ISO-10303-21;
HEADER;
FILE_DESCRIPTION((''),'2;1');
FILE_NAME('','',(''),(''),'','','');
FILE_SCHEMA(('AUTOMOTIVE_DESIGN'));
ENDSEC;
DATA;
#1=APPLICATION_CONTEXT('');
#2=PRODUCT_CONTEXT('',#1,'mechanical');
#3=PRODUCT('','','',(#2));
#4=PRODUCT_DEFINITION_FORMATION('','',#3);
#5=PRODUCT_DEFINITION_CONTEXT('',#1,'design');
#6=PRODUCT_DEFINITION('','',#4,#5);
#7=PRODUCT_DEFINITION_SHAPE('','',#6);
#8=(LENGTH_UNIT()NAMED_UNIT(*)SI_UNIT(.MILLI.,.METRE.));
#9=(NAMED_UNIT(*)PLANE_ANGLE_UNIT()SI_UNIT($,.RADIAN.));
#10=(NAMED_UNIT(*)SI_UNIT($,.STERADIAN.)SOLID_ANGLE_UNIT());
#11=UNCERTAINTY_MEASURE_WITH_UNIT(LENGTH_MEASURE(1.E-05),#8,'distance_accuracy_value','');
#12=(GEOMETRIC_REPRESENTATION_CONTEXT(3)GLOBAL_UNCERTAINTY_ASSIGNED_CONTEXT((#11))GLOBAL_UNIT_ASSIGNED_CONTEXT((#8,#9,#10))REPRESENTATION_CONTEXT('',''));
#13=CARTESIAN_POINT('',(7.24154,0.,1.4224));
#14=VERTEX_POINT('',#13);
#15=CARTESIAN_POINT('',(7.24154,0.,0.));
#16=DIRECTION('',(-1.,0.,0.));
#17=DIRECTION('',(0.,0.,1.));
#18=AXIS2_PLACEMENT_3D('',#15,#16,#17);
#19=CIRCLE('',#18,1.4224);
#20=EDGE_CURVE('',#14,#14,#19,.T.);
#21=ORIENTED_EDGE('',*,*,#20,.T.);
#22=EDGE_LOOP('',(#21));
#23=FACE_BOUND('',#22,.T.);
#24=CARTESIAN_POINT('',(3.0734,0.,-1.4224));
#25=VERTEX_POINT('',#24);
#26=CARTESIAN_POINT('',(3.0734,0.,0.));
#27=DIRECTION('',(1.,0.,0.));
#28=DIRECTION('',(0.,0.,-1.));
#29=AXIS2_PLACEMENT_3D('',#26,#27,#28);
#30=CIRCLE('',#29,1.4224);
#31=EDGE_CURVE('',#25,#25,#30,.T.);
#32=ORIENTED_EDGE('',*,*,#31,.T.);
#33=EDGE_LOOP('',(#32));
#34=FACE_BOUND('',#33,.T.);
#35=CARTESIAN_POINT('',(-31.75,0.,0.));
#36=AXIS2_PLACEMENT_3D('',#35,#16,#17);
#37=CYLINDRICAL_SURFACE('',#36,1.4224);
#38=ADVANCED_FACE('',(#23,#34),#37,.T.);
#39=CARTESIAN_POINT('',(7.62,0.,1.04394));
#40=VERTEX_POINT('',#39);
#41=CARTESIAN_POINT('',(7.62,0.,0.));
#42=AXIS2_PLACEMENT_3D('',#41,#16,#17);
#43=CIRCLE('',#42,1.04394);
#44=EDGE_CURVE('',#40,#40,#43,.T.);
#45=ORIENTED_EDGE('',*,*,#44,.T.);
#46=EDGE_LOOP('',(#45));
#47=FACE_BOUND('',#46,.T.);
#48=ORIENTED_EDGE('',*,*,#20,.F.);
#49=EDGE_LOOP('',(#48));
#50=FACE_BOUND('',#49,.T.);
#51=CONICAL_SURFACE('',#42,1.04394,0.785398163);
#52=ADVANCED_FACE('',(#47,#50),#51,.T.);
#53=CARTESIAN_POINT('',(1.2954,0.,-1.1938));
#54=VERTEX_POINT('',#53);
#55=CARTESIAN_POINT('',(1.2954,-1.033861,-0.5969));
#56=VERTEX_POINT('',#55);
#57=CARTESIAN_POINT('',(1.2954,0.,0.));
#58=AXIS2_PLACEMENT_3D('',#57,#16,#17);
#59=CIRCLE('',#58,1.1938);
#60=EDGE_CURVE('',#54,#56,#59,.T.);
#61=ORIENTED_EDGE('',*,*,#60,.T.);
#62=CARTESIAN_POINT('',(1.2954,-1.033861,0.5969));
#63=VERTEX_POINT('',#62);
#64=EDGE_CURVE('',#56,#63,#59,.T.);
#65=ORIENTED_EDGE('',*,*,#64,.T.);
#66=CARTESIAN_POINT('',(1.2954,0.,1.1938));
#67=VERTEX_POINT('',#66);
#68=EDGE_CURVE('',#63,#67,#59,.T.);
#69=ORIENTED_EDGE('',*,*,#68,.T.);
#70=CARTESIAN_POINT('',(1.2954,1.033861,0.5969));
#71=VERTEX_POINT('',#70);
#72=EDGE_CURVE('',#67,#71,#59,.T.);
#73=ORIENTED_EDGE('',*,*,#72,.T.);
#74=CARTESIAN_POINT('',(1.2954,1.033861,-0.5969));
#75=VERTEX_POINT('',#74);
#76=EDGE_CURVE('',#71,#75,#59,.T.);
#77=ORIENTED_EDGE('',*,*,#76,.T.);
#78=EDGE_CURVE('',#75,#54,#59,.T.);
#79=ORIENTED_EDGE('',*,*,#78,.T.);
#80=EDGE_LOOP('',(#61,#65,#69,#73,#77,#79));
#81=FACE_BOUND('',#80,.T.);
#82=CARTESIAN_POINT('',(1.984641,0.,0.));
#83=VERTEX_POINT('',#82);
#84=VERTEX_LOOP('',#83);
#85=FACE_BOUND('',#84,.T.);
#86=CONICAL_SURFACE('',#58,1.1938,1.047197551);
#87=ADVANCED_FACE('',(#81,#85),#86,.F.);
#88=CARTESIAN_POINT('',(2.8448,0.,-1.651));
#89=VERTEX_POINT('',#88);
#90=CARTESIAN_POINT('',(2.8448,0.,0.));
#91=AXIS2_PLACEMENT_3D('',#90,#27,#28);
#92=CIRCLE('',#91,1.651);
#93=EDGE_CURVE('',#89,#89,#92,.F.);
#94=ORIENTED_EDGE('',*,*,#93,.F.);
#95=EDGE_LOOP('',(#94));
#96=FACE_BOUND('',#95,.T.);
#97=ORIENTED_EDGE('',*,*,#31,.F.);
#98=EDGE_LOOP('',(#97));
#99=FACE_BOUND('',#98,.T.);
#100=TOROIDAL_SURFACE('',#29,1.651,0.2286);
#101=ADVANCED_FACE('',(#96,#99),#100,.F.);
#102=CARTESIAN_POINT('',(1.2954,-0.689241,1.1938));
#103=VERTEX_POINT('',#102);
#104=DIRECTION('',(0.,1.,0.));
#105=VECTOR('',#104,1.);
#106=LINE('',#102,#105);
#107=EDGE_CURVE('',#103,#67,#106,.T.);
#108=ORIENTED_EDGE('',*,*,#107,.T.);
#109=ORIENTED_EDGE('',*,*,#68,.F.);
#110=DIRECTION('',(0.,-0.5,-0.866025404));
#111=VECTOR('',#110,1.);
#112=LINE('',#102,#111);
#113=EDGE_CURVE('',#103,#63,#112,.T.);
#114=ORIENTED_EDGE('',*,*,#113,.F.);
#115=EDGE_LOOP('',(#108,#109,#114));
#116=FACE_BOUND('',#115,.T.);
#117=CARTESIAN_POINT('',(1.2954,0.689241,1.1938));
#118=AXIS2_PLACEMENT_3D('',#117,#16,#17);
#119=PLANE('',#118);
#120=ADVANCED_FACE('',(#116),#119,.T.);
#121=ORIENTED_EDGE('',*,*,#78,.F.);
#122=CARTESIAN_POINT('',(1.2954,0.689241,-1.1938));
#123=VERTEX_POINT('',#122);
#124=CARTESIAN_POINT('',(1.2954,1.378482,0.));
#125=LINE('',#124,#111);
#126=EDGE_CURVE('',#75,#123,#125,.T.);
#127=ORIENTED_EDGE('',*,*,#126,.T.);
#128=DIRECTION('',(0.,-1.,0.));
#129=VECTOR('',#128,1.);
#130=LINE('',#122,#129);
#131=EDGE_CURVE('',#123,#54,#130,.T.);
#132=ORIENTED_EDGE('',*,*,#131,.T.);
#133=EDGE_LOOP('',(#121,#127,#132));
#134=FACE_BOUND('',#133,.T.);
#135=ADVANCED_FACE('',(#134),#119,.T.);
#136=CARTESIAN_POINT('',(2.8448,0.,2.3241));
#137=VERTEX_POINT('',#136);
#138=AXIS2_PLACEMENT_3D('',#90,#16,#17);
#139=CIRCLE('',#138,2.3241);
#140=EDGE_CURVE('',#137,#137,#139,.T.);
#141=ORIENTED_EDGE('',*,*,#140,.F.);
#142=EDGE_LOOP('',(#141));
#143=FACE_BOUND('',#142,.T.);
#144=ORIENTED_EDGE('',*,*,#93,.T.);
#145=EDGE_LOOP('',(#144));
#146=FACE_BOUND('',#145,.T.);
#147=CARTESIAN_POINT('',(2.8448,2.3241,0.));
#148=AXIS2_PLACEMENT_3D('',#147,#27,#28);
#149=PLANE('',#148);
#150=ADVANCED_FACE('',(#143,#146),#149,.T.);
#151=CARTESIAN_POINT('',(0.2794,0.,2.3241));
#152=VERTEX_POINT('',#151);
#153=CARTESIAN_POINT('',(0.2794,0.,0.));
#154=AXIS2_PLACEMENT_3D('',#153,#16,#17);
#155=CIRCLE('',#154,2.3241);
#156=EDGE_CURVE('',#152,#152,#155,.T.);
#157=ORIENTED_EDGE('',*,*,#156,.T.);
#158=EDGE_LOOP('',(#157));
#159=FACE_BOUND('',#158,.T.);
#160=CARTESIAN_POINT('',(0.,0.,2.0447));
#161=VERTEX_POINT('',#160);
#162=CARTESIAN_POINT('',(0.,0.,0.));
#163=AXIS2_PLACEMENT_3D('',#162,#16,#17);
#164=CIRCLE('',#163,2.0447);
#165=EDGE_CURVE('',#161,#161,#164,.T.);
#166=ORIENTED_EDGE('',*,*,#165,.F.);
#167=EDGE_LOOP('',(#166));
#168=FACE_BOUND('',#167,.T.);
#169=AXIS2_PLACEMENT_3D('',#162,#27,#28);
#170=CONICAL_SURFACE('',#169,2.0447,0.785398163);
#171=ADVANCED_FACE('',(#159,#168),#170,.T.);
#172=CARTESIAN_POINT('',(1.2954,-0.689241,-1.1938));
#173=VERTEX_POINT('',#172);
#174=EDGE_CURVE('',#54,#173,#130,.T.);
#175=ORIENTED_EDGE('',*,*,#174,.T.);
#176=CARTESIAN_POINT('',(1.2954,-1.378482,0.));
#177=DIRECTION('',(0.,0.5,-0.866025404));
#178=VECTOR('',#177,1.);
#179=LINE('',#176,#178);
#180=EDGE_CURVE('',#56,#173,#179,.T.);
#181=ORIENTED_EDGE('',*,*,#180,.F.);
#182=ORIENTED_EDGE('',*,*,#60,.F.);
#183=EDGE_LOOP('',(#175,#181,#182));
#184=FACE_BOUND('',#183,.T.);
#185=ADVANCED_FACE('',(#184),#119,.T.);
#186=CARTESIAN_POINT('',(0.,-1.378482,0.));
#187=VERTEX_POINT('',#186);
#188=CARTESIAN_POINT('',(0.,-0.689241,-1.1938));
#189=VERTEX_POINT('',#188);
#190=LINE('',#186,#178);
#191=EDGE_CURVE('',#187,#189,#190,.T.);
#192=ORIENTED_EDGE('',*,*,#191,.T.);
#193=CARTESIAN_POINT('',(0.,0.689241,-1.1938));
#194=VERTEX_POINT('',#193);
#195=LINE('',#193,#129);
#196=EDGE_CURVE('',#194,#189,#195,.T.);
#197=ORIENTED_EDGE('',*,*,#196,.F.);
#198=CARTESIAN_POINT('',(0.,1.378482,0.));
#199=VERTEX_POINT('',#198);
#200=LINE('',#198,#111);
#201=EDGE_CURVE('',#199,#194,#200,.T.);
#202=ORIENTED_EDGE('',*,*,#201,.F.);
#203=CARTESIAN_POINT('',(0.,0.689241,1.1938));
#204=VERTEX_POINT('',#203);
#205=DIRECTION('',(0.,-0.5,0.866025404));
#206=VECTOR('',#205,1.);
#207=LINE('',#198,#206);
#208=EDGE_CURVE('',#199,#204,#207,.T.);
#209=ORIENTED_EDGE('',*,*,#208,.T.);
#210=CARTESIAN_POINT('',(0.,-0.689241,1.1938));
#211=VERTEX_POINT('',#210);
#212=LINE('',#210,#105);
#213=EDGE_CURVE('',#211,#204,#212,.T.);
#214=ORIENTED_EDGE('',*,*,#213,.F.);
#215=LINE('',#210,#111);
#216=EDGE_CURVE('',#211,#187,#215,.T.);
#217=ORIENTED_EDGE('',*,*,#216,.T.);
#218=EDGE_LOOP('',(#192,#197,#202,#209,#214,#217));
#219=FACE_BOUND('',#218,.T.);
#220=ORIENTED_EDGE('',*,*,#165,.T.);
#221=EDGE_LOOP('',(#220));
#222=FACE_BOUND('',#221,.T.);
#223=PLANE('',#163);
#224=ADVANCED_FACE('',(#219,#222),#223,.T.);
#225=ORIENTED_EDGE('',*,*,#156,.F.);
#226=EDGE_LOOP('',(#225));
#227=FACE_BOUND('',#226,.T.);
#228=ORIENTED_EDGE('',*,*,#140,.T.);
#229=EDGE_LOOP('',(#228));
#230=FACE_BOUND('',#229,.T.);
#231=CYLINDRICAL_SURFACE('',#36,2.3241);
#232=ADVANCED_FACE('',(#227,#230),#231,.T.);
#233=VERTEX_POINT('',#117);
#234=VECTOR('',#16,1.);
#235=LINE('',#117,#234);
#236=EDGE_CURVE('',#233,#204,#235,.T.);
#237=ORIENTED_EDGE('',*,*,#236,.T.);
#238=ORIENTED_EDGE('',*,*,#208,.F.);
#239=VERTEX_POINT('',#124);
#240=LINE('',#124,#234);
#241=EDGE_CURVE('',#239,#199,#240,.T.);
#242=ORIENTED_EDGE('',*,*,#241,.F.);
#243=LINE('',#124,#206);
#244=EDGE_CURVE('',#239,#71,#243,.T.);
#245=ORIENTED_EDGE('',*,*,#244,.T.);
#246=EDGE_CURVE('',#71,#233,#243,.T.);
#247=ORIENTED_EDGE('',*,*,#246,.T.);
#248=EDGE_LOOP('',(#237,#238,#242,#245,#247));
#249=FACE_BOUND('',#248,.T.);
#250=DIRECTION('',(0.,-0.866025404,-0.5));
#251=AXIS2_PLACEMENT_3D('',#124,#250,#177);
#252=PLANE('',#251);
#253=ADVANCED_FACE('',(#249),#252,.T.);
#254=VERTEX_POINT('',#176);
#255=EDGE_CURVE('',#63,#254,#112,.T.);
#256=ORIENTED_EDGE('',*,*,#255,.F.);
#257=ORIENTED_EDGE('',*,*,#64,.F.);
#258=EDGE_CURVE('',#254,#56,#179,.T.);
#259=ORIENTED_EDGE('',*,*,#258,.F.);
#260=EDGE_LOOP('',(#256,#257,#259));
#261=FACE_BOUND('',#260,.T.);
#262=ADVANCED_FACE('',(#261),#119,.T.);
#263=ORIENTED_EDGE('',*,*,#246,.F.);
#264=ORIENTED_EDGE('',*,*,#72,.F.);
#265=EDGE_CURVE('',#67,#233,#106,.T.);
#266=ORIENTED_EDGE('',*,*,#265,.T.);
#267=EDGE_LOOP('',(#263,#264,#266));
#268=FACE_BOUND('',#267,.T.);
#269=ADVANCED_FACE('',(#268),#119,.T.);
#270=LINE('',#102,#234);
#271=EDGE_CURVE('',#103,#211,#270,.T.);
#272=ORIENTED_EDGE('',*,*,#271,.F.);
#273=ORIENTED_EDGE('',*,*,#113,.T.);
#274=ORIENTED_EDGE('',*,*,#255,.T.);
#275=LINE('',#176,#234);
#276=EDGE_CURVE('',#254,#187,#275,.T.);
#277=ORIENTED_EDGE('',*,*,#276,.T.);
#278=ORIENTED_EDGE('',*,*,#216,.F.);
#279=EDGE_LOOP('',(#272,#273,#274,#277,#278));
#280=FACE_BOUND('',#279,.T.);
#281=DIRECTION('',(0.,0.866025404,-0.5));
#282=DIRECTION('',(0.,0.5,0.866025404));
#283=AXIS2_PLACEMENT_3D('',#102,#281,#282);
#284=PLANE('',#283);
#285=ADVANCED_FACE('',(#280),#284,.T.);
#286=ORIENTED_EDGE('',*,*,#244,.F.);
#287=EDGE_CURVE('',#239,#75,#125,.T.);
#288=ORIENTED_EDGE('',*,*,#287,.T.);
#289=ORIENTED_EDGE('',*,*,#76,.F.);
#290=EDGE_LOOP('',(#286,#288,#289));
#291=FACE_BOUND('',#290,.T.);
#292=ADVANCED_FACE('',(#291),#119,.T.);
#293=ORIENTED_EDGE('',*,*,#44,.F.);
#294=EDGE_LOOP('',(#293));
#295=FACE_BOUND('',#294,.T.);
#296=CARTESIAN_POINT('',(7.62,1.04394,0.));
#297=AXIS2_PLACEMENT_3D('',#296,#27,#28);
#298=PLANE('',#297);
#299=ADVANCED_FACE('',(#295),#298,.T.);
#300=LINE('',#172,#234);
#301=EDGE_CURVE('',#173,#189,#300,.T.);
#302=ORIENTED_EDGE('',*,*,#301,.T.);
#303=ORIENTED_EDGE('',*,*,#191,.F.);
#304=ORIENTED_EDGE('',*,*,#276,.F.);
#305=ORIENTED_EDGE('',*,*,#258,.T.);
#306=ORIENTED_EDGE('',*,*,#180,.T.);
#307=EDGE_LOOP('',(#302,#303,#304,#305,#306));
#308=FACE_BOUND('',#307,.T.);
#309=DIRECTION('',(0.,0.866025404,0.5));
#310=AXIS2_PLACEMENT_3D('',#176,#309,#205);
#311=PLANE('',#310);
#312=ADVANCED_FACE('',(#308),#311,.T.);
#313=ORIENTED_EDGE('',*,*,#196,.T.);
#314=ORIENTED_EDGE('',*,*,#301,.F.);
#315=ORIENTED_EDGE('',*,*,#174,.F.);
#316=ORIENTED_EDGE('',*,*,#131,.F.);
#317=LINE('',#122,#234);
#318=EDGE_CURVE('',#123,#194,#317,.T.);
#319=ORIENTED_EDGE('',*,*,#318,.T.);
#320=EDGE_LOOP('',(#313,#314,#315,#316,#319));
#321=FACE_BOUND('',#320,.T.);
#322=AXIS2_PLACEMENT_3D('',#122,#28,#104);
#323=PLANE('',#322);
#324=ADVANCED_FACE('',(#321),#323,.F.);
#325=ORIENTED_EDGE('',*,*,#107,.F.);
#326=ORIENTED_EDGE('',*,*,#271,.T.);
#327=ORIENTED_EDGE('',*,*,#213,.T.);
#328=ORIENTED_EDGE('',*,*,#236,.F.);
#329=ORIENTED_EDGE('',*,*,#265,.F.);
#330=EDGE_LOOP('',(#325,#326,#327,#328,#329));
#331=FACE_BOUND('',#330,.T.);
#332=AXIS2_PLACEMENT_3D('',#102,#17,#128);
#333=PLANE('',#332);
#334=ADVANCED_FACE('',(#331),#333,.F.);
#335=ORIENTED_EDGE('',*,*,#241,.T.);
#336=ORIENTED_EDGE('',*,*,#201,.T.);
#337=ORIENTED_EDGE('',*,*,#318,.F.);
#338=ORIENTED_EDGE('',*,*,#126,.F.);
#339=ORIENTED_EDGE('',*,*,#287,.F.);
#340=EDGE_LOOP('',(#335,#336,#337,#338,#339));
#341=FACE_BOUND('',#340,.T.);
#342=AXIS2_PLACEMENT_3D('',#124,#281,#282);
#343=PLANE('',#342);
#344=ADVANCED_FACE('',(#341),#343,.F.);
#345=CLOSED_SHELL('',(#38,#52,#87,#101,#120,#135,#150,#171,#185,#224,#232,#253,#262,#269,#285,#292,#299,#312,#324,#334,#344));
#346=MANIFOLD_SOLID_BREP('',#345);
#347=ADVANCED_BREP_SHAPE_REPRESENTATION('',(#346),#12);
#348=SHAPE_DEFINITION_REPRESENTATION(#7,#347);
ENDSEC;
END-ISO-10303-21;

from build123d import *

# Parameters (mm, degrees)
FILLET1_R   = 0.2286
HEX_2_DEPTH = 1.2954


with BuildPart() as part:
    # BodySke → Base-Revolve (revolve)
    with BuildSketch(Plane.XY):
        Polygon((0, 0), (0, 2.0447), (0.2794, 2.3241), (2.8448, 2.3241), (2.8448, 1.4224), (7.24154, 1.4224), (7.62, 1.04394), (7.62, 0), align=None)
    revolve(axis=Axis((-31.75, 0, 0), (1, 0, 0)))

    # Fillet1
    fillet1_edges = [part.edges().sort_by_distance(p)[0] for p in [
        (2.8448, -1.4224, 0),
    ]]
    fillet(fillet1_edges, radius=FILLET1_R)

    # Sketch2 → Hex-PreBroach (revolve, cut)
    with BuildSketch(Plane.XY):
        Polygon((0, 1.1938), (1.2954, 1.1938), (1.984640751, 0), (0, 0), align=None)
    revolve(axis=Axis((0, 0, 0), (1, 0, 0)), mode=Mode.SUBTRACT)

    # Sketch3 → Hex 2 (cut)
    with BuildSketch(Plane(origin=(0, 0, 0), x_dir=(0, 0.5, 0.866025404), z_dir=(-1, 0, 0))):
        Polygon((0.689240751, 1.1938), (-0.689240751, 1.1938), (-1.378481503, 0), (-0.689240751, -1.1938), (0.689240751, -1.1938), (1.378481503, 0), align=None)
    extrude(amount=-HEX_2_DEPTH, mode=Mode.SUBTRACT)


solid = part.part
